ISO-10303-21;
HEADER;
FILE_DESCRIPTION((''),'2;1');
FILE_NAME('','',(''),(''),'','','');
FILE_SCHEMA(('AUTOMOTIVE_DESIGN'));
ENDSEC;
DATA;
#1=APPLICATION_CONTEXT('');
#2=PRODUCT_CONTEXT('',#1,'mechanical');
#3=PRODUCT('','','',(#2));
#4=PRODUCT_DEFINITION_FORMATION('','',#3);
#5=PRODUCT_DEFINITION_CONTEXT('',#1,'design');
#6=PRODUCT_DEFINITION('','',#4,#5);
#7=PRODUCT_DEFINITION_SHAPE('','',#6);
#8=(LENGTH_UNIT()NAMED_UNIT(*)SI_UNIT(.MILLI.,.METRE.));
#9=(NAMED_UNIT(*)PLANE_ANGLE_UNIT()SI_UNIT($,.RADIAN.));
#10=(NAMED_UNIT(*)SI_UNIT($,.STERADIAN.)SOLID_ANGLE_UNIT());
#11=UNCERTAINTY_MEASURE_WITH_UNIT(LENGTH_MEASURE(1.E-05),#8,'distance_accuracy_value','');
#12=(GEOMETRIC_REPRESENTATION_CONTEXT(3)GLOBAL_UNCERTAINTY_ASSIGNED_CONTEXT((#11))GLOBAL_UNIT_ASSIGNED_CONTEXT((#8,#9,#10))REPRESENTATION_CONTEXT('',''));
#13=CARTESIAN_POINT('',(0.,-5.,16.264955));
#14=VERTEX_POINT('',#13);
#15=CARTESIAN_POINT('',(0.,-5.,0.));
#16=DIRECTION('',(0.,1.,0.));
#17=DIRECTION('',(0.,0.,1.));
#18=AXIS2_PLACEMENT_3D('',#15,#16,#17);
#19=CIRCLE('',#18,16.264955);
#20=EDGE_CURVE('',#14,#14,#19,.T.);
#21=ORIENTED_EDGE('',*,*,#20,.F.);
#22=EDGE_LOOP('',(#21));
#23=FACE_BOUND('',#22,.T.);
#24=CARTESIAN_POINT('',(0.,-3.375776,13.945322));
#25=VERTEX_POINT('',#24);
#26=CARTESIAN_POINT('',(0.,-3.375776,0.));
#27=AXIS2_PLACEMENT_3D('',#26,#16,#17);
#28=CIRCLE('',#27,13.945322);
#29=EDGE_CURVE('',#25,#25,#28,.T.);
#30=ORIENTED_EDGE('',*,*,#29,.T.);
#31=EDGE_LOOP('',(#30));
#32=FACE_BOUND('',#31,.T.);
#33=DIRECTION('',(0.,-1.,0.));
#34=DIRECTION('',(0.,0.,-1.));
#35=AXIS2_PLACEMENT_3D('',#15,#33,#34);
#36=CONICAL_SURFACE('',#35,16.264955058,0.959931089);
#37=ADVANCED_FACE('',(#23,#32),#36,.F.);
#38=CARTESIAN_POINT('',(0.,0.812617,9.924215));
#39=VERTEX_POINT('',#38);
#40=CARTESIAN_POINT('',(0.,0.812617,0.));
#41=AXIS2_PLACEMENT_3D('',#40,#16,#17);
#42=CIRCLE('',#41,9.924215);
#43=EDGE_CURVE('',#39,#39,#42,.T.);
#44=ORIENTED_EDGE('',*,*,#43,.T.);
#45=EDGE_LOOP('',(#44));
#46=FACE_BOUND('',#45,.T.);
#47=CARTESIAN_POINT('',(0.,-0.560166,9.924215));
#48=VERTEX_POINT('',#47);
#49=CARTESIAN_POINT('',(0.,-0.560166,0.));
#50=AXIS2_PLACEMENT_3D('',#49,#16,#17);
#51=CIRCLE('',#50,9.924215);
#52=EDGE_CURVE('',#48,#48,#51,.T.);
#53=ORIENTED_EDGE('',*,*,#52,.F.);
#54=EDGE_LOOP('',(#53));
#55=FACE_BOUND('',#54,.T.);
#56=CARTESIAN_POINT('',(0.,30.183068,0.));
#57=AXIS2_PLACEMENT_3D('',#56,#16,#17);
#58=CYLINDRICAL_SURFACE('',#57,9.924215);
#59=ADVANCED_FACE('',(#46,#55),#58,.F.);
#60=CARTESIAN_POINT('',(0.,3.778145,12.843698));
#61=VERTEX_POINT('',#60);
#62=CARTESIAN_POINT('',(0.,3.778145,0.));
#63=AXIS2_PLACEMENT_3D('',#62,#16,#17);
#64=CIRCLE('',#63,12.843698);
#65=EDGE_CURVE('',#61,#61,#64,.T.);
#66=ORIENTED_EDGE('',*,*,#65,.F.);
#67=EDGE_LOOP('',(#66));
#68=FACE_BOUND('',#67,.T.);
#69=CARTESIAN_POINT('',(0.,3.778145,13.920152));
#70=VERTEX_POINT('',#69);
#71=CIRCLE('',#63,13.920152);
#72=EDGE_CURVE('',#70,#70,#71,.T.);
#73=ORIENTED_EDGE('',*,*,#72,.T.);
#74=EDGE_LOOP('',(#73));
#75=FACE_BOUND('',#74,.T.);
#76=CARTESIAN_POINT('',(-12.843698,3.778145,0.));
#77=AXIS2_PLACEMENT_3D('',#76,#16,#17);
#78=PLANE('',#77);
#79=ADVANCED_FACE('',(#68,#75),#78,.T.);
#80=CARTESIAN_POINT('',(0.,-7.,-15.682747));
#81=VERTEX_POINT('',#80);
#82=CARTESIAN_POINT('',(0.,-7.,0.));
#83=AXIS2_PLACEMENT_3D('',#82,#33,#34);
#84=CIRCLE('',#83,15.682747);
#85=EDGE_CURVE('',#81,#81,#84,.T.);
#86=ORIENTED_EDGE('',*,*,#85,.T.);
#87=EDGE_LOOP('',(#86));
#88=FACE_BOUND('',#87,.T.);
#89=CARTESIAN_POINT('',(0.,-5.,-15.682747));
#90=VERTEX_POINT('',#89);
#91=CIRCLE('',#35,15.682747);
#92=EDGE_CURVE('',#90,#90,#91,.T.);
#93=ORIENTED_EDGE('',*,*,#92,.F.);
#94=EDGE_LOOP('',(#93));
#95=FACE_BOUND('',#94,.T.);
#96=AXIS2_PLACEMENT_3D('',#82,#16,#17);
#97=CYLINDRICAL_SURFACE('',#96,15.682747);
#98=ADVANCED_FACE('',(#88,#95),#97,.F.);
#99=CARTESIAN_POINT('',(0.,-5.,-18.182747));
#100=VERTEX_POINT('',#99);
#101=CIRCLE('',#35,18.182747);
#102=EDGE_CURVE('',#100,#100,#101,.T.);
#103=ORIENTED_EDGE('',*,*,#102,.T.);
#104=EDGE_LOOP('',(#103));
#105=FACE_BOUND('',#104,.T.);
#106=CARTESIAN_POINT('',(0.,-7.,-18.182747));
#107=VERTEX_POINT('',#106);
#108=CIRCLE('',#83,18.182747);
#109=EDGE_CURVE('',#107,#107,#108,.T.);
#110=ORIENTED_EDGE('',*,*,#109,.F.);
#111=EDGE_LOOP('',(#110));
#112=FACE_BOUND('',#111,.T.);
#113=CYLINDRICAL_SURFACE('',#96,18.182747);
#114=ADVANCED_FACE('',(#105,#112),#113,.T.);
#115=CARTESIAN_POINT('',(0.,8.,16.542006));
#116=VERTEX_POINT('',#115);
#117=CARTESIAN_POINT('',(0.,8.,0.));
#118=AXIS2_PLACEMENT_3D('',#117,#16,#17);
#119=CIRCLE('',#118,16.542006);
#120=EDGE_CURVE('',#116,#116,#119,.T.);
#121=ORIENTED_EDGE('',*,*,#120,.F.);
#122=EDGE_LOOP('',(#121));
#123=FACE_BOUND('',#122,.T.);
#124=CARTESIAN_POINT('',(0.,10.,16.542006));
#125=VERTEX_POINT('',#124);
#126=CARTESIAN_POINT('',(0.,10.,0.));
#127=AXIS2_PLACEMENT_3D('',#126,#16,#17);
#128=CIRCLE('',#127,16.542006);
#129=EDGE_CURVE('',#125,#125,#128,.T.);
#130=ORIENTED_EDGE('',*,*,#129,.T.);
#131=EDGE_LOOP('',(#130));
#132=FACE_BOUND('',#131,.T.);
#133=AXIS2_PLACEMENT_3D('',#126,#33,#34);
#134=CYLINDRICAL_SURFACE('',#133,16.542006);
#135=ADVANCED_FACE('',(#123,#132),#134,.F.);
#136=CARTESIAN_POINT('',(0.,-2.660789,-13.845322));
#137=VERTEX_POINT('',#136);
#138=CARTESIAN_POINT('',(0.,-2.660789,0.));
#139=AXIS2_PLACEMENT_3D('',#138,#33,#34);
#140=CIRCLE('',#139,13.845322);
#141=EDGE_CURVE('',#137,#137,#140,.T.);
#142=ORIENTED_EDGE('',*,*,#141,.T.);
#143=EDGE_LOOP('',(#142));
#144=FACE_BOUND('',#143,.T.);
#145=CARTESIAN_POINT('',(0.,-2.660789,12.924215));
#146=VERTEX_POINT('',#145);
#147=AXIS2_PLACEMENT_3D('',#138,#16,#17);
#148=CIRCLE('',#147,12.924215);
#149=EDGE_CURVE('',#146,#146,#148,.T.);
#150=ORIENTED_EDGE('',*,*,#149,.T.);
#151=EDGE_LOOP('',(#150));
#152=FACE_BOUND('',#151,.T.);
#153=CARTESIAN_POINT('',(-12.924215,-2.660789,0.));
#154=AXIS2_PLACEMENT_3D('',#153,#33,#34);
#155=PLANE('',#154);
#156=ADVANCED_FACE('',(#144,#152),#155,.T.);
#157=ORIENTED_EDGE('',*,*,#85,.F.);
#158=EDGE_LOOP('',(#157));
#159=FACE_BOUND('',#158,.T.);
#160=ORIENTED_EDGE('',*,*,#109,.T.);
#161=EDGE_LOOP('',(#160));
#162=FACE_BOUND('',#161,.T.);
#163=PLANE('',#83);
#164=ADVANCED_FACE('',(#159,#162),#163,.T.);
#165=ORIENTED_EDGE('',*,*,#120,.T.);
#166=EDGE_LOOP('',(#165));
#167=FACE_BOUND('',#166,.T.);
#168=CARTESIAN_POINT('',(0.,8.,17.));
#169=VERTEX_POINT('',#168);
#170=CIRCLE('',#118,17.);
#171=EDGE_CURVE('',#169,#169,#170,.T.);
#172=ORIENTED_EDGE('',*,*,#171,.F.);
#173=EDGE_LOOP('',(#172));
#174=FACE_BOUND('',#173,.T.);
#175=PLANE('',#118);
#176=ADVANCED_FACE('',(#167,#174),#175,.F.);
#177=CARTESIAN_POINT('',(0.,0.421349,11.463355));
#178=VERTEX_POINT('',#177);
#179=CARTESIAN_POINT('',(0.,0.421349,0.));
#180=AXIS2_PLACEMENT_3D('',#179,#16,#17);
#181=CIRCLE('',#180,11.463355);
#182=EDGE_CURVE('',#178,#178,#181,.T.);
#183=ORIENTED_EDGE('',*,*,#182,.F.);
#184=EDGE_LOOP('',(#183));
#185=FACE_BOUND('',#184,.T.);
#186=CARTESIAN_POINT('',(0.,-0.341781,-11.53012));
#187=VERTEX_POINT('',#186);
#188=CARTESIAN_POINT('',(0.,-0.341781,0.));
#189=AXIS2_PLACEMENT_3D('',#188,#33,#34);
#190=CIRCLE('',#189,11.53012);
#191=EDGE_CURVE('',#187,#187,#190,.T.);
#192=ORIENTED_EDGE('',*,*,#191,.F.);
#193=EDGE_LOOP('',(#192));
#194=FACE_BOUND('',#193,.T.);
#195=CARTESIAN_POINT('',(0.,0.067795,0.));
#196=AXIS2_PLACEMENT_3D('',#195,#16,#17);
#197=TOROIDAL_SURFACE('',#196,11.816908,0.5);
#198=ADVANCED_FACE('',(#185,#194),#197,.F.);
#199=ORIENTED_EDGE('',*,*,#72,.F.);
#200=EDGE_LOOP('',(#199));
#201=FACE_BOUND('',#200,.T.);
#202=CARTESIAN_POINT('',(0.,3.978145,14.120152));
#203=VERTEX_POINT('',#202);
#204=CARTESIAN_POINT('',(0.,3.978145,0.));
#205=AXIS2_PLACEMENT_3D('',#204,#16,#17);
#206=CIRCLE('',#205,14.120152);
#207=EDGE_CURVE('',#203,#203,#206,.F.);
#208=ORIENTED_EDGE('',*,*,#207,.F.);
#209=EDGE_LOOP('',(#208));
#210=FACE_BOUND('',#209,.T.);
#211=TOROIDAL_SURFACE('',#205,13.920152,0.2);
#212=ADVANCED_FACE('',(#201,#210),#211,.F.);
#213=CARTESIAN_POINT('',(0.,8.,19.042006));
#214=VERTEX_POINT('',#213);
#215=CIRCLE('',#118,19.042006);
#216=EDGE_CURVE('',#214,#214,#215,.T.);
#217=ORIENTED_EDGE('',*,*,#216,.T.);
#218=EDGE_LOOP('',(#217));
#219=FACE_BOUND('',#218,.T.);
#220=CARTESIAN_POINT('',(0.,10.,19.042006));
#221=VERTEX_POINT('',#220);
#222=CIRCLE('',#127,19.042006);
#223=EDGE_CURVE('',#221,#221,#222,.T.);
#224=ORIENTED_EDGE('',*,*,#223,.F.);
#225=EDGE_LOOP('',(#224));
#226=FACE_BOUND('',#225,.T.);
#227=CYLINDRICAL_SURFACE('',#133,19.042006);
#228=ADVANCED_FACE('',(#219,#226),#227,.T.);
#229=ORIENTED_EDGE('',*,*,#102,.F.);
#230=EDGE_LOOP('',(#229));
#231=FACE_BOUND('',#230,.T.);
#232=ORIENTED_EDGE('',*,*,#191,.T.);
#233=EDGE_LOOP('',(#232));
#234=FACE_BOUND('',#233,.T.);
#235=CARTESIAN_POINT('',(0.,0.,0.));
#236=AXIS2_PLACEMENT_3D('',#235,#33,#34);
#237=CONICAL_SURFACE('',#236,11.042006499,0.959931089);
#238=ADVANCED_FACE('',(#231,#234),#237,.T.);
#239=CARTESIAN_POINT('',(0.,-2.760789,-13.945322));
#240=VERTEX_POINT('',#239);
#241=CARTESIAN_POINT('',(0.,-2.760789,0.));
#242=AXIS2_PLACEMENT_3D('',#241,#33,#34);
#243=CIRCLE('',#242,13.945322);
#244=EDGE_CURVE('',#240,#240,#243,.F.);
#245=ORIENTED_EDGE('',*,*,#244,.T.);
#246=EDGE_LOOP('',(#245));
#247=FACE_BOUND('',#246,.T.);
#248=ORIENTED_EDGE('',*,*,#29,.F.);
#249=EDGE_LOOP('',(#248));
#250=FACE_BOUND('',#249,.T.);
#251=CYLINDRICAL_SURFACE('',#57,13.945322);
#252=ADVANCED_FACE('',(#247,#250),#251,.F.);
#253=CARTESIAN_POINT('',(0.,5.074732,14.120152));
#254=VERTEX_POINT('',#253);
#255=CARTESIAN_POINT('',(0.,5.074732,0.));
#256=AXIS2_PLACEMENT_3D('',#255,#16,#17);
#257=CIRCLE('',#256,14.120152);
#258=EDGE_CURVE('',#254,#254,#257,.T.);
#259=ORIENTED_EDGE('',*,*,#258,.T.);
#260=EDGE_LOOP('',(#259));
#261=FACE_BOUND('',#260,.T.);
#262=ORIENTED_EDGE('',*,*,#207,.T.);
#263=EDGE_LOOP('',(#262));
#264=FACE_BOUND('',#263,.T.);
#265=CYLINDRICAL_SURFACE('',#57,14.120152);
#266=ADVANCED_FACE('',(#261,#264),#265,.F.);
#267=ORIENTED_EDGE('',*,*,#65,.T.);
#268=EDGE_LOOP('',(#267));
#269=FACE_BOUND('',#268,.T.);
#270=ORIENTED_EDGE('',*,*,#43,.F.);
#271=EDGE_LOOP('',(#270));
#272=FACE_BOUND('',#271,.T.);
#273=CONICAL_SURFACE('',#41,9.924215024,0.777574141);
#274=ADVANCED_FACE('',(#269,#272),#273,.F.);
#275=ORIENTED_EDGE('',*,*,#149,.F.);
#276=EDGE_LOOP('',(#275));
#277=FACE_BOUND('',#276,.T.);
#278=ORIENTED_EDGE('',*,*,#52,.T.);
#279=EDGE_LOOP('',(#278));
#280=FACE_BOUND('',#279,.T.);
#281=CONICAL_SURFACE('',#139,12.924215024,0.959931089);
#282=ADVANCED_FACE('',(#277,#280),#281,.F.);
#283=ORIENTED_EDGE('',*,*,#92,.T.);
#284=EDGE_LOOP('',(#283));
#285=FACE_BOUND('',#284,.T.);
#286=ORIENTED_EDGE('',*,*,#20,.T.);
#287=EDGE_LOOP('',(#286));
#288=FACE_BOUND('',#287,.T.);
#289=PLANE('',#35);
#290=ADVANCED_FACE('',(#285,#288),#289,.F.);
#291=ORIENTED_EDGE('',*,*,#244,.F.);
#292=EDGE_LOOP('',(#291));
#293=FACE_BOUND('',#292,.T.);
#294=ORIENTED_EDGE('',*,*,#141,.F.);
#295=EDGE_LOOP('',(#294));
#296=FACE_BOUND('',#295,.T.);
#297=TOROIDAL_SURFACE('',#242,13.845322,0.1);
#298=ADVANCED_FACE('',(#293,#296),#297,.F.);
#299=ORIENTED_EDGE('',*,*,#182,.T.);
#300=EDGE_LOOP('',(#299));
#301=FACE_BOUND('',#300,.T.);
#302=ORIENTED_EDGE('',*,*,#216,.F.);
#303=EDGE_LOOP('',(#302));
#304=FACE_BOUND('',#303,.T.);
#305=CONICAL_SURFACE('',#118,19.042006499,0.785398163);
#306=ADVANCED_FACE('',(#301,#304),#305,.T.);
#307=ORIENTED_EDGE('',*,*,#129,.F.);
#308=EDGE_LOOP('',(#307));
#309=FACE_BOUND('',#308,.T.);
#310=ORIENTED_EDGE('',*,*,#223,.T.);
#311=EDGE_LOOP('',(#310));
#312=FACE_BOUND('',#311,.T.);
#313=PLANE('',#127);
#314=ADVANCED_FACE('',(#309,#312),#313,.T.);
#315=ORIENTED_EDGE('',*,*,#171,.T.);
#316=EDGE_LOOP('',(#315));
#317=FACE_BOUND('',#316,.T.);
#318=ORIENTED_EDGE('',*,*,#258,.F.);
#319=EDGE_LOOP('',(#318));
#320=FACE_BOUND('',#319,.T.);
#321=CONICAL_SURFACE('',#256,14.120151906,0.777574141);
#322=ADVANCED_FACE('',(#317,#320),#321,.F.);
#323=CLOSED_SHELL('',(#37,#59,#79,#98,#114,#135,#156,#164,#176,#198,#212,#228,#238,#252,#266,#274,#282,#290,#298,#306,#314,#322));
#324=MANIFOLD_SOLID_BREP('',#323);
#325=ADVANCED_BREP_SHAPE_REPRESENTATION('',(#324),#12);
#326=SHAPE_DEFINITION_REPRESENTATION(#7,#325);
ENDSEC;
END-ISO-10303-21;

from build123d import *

# Parameters (mm, degrees)
FILLET3_R           = 0.2
FILLET5_R           = 0.1
SKETCH2_R           = 19.042006499
SKETCH2_R_2         = 16.542006499
BOSS_EXTRUDE1_DEPTH = 2
SKETCH3_R           = 18.182746533
SKETCH3_R_2         = 15.682746533
BOSS_EXTRUDE2_DEPTH = 2
MIDDLE_FILLLET_R    = 0.5


with BuildPart() as part:
    # Sketch1 → Revolve1 (revolve)
    with BuildSketch(Plane.XY, mode=Mode.PRIVATE) as revolve1_sk:
        Polygon((-17, 8), (-14.120151906, 5.074731621), (-14.120151906, 3.778145407), (-12.843697628, 3.778145407), (-9.924215024, 0.812617411), (-9.924215024, -0.560166031), (-12.924215024, -2.660788645), (-13.945322255, -2.660788645), (-13.945322255, -3.375775626), (-16.264955058, -5), (-18.182746533, -5), (-11.042006499, 0), (-19.042006499, 8), align=None)
    revolve(revolve1_sk.sketch.rotate(Axis((0, 30.18306827, 0), (0, -1, 0)), 270), axis=Axis((0, 30.18306827, 0), (0, -1, 0)))

    # Fillet3
    fillet3_edges = [part.edges().sort_by_distance(p)[0] for p in [
        (0, 3.778145407, -14.120151906),
    ]]
    fillet(fillet3_edges, radius=FILLET3_R)

    # Fillet5
    fillet5_edges = [part.edges().sort_by_distance(p)[0] for p in [
        (0, -2.660788645, -13.945322255),
    ]]
    fillet(fillet5_edges, radius=FILLET5_R)

    # Sketch2 → Boss-Extrude1 (add)
    with BuildSketch(Plane(origin=(0, 8, 0), x_dir=(1, 0, 0), z_dir=(0, 1, 0))):
        with Locations(Location((0, 0, 0), (0, 0, 270))):
            Circle(SKETCH2_R)
        with Locations(Location((0, 0, 0), (0, 0, 270))):
            Circle(SKETCH2_R_2, mode=Mode.SUBTRACT)
    extrude(amount=BOSS_EXTRUDE1_DEPTH)

    # Sketch3 → Boss-Extrude2 (add)
    with BuildSketch(Plane.XZ.offset(5)):
        with Locations(Location((0, 0, 0), (0, 0, 270))):
            Circle(SKETCH3_R)
        with Locations(Location((0, 0, 0), (0, 0, 270))):
            Circle(SKETCH3_R_2, mode=Mode.SUBTRACT)
    extrude(amount=BOSS_EXTRUDE2_DEPTH)

    # middle_filllet
    middle_filllet_edges = [part.edges().sort_by_distance(p)[0] for p in [
        (0, 0, -11.042006499),
    ]]
    fillet(middle_filllet_edges, radius=MIDDLE_FILLLET_R)


solid = part.part
